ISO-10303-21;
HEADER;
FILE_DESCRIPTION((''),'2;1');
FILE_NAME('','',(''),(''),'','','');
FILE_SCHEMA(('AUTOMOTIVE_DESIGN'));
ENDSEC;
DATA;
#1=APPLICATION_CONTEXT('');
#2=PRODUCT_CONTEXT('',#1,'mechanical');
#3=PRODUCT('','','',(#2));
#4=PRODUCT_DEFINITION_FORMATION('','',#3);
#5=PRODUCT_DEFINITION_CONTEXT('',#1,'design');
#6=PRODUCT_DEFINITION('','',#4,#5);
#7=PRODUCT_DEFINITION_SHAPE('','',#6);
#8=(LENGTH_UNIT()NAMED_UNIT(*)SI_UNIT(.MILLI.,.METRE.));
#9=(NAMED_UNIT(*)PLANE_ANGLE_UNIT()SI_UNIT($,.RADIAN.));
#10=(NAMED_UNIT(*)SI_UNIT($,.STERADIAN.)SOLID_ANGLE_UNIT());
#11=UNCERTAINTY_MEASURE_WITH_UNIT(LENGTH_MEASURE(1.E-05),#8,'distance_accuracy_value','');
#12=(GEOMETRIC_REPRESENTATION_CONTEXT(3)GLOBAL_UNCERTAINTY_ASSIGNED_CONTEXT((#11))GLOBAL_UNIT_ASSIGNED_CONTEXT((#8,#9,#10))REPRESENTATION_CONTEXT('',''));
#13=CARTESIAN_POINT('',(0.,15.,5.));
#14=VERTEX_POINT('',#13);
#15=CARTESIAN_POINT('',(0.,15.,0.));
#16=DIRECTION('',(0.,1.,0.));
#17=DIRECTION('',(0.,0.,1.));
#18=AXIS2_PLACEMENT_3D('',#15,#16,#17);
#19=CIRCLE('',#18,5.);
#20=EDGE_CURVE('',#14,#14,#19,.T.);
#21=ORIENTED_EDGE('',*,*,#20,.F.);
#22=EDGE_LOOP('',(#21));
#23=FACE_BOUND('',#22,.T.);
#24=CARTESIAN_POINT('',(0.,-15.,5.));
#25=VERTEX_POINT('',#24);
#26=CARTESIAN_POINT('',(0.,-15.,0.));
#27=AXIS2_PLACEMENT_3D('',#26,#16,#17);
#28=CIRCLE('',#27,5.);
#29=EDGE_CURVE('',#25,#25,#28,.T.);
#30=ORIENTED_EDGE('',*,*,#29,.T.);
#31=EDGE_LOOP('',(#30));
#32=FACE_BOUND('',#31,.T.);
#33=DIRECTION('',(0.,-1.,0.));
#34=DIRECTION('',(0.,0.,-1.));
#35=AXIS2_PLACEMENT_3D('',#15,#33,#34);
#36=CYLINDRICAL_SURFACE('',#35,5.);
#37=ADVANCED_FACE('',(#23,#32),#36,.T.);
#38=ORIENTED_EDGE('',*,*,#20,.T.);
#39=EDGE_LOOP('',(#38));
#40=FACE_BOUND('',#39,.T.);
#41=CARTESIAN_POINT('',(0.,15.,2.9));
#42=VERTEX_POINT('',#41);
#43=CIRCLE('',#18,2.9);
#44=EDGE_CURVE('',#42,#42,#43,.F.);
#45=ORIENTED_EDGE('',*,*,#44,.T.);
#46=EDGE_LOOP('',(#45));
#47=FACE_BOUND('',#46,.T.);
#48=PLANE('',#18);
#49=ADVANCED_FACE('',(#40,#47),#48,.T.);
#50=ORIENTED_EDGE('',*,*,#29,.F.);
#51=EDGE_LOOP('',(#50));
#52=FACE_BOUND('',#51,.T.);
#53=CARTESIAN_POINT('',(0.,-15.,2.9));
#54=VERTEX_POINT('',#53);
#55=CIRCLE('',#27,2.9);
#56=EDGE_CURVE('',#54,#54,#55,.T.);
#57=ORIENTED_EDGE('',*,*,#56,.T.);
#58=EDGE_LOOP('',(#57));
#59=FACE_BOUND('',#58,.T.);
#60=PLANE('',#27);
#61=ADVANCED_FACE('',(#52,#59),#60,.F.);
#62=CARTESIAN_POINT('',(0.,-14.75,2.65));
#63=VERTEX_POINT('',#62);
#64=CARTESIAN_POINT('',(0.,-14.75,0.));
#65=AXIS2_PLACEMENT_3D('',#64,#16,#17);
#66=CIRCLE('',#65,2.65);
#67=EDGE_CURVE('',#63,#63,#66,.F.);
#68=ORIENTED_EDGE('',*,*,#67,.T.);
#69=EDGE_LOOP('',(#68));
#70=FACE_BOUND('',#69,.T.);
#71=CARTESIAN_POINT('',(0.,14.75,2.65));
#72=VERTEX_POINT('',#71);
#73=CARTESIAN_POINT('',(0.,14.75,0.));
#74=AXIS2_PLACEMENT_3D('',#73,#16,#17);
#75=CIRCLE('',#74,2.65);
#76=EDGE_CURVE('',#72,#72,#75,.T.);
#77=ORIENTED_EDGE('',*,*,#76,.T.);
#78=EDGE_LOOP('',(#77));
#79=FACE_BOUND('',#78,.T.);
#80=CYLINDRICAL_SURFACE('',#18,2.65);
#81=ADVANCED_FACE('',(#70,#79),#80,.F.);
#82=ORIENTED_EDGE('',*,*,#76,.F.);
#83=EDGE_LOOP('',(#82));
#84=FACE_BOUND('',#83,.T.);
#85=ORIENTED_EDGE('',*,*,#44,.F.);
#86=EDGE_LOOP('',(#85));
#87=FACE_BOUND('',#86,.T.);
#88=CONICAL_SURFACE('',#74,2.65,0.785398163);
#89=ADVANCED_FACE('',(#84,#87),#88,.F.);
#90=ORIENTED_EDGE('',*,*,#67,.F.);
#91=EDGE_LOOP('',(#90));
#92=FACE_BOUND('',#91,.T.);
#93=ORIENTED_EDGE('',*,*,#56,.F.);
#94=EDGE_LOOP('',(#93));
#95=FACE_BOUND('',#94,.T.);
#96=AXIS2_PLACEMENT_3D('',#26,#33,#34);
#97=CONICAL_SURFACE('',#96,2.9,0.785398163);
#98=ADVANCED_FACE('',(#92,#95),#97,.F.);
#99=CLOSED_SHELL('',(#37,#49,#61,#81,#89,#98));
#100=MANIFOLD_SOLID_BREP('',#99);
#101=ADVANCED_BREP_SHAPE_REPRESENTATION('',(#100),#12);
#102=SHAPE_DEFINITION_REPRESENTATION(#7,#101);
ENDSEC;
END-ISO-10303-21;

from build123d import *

# Parameters (mm, degrees)
SKETCH1_R            = 5
BOSS_EXTRUDE1_DEPTH  = 15
M5_CLEARANCE_HOLE1_D = 5.3
CHAMFER1_SIZE        = 0.25


with BuildPart() as part:
    # Sketch1 → Boss-Extrude1 (new, symmetric)
    with BuildSketch(Plane(origin=(0, 0, 0), x_dir=(1, 0, 0), z_dir=(0, 1, 0))):
        with Locations(Location((0, 0, 0), (0, 0, 270))):
            Circle(SKETCH1_R)
    extrude(amount=BOSS_EXTRUDE1_DEPTH, both=True)

    # M5 Clearance Hole1 (through all)
    with Locations(Plane(origin=(0, 15, 0), x_dir=(1, 0, 0), z_dir=(0, 1, 0))):
        with Locations((0, 0)):
            Hole(M5_CLEARANCE_HOLE1_D / 2)

    # Chamfer1
    chamfer1_edges = [part.edges().sort_by_distance(p)[0] for p in [
        (2.65, 15, 0),
        (2.65, -15, 0),
    ]]
    chamfer(chamfer1_edges, length=CHAMFER1_SIZE)


solid = part.part
